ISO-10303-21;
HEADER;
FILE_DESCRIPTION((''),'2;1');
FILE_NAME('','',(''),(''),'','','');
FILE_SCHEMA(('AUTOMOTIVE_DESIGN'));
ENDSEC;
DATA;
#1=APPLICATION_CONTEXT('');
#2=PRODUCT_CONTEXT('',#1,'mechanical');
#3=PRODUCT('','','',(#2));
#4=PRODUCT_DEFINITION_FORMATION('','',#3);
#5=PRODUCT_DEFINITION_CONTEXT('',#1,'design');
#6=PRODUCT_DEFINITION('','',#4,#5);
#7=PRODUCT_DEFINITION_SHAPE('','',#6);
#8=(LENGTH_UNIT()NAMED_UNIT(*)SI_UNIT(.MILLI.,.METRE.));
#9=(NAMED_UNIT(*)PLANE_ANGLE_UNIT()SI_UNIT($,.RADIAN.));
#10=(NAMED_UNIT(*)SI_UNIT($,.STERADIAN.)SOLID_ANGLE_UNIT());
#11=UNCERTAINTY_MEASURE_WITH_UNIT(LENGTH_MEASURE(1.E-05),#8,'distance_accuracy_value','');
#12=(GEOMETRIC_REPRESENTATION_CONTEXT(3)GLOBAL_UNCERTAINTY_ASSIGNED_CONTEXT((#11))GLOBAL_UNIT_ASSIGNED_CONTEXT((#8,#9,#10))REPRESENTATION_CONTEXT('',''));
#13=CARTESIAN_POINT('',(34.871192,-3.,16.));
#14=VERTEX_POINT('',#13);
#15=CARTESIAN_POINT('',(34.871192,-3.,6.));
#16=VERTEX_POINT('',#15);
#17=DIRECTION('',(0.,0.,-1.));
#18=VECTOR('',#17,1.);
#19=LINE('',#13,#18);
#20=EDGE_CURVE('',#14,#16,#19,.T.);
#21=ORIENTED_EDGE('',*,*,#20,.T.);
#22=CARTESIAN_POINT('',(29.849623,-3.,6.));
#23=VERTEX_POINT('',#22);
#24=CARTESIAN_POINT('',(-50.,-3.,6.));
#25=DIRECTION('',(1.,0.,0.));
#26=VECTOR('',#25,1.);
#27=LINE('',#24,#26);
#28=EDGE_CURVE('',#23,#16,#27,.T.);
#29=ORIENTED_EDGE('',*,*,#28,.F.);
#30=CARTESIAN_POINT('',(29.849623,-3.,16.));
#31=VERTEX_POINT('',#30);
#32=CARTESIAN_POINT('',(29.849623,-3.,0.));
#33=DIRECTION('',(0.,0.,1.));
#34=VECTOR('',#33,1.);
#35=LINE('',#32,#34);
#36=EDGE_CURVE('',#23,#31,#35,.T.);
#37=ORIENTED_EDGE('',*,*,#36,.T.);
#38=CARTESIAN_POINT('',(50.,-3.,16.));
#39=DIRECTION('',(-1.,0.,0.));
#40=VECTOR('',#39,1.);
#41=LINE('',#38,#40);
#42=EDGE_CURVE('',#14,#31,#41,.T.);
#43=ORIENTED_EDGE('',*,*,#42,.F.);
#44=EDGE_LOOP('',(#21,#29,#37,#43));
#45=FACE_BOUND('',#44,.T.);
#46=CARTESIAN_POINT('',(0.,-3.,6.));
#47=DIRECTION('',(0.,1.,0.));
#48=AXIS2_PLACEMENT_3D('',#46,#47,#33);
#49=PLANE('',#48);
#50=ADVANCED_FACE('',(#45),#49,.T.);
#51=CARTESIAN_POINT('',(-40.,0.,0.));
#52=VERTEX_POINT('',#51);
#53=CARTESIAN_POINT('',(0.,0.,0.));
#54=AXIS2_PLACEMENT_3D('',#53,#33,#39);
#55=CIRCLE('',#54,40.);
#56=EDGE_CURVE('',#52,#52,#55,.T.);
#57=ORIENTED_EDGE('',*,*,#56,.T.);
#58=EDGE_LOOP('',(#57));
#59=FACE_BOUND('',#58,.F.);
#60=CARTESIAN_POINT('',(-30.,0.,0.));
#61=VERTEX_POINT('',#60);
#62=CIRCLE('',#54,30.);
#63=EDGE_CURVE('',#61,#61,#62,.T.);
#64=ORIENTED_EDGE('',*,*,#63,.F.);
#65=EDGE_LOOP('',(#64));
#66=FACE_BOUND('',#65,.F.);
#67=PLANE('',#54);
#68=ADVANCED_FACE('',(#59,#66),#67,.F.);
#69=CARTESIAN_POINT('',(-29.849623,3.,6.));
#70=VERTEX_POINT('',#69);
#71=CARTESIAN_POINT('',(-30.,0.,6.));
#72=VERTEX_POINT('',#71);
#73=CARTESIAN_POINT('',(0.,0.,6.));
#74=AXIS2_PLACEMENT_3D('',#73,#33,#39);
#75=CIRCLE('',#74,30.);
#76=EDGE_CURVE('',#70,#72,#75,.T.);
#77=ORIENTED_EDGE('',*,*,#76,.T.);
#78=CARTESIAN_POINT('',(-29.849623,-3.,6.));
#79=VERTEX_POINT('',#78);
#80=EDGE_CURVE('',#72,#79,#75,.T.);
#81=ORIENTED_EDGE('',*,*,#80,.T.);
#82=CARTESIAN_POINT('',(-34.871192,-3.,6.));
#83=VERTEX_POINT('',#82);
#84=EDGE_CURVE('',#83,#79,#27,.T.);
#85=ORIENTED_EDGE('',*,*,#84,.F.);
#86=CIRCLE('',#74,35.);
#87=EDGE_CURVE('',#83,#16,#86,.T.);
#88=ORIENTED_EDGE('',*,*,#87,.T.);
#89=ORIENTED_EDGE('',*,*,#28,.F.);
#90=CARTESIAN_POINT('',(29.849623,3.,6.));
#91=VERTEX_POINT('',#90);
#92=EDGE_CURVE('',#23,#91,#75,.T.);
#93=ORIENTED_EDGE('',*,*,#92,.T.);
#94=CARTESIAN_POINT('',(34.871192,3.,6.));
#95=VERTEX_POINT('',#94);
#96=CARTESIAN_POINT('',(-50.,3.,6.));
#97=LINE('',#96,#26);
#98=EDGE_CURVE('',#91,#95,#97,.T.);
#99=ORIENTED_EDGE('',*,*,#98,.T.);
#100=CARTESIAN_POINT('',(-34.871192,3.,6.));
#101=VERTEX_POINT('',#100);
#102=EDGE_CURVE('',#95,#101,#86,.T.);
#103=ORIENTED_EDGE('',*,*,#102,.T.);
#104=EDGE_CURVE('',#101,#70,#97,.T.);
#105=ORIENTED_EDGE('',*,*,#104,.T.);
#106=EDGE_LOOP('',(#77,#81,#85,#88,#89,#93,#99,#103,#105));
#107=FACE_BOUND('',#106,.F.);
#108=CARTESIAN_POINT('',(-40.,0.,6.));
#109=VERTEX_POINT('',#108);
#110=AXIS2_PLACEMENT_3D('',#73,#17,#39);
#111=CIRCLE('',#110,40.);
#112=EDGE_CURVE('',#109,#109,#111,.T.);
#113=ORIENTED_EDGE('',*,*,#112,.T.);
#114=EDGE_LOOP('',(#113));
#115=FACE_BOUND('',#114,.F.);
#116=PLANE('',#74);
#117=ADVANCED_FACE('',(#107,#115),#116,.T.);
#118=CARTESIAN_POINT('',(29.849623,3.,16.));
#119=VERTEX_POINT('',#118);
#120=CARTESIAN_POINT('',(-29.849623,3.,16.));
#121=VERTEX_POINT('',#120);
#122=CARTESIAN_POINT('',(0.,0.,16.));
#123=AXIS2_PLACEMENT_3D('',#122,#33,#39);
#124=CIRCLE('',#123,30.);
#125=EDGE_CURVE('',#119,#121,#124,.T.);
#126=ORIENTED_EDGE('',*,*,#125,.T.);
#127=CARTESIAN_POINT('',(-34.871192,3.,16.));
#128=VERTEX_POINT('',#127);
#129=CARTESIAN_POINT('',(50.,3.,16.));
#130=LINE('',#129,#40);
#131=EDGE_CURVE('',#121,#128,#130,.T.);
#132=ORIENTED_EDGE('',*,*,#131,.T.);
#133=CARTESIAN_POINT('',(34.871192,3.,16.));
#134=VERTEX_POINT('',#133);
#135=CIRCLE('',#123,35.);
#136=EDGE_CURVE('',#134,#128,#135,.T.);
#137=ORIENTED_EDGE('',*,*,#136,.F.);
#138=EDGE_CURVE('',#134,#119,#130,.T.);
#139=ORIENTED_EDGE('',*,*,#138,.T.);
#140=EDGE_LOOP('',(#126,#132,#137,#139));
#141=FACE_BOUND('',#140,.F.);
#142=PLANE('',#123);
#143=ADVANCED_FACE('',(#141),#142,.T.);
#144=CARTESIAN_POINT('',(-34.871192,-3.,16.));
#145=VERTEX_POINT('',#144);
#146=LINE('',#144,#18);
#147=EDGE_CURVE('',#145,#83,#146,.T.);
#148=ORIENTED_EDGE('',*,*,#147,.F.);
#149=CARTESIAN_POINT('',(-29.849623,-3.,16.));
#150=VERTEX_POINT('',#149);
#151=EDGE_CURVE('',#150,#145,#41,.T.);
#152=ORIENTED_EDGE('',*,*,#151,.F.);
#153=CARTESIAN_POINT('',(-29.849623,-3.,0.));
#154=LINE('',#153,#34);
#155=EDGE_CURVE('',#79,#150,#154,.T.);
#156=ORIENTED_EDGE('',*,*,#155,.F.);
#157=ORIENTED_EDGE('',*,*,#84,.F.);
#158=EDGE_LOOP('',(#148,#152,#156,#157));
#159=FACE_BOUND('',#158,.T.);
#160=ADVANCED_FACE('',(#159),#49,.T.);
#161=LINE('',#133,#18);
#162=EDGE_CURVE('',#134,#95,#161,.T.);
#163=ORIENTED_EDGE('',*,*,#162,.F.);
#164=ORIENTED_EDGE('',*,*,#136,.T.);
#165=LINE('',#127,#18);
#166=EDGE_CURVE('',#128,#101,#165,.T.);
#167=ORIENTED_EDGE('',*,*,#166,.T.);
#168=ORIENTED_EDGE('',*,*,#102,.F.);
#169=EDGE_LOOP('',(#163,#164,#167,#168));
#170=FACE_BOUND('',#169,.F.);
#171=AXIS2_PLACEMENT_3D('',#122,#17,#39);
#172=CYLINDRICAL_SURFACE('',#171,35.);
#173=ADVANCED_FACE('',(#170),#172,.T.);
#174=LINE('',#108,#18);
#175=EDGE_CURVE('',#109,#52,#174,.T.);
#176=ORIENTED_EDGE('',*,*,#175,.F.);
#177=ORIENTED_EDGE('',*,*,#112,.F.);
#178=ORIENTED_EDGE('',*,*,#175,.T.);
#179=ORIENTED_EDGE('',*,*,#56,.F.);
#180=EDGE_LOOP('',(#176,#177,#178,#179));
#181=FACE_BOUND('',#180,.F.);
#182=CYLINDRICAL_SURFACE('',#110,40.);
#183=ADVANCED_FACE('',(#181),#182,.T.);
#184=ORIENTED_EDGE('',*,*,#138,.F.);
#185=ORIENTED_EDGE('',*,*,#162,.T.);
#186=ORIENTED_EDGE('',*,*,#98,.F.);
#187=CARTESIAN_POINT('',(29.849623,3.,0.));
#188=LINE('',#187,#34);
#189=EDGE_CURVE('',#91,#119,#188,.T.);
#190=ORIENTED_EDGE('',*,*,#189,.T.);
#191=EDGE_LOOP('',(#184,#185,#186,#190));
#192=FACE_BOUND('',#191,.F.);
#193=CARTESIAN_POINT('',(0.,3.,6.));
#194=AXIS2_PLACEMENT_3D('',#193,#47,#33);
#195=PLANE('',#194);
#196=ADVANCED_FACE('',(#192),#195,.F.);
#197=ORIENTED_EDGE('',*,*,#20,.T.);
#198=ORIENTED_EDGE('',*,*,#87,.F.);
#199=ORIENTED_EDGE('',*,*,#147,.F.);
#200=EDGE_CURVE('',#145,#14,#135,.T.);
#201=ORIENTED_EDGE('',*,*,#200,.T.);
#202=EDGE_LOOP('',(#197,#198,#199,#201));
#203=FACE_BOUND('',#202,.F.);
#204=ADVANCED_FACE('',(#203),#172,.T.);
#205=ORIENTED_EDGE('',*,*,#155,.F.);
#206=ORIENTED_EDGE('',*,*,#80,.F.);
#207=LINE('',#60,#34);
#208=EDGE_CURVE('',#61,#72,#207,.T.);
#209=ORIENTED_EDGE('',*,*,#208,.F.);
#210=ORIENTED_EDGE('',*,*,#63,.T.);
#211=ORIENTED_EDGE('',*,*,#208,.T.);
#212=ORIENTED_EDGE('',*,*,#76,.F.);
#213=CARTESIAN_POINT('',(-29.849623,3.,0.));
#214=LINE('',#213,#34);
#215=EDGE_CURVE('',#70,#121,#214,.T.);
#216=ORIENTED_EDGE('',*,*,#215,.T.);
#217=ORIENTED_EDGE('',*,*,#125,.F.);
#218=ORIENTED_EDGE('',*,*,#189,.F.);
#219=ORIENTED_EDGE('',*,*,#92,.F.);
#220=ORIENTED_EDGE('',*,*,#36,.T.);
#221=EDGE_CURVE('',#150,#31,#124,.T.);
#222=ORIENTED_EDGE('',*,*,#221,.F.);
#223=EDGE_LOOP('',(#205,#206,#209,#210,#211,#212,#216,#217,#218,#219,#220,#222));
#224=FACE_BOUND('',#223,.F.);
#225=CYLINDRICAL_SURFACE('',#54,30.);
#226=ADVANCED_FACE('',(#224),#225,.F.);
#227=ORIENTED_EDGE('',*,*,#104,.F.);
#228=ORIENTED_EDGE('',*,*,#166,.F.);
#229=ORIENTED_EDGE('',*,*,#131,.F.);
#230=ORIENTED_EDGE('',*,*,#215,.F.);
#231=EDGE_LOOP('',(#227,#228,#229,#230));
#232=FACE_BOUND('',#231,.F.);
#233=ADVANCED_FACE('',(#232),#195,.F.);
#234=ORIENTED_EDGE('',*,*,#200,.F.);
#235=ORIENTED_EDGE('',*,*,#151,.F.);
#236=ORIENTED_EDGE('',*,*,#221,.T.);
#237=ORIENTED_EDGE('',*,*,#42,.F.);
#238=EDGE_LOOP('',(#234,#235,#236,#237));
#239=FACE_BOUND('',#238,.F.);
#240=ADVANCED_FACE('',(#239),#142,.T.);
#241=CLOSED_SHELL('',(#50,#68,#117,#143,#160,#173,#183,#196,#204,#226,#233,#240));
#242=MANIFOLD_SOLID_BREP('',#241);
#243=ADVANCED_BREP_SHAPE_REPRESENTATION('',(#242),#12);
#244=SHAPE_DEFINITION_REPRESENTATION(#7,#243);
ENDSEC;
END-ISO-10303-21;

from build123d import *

# Parameters (mm, degrees)
F2_W     = 6
F2_H     = 10
F3_DEPTH = 50


with BuildPart() as f1:
    # F0 (on Front) → F1 (revolve)
    with BuildSketch(Plane.XZ):
        Polygon((-40, 0), (-30, 0), (-30, 16), (-35, 16), (-35, 6), (-40, 6), align=None)
    revolve(axis=Axis((0, 0, 15.326124), (0, 0, 1)))

    # F2 (on Right) → F3 (cut, symmetric)
    with BuildSketch(Plane.YZ):
        with Locations((0, 11)):
            Rectangle(F2_W, F2_H)
    extrude(amount=F3_DEPTH, both=True, mode=Mode.SUBTRACT)


solid = f1.part
